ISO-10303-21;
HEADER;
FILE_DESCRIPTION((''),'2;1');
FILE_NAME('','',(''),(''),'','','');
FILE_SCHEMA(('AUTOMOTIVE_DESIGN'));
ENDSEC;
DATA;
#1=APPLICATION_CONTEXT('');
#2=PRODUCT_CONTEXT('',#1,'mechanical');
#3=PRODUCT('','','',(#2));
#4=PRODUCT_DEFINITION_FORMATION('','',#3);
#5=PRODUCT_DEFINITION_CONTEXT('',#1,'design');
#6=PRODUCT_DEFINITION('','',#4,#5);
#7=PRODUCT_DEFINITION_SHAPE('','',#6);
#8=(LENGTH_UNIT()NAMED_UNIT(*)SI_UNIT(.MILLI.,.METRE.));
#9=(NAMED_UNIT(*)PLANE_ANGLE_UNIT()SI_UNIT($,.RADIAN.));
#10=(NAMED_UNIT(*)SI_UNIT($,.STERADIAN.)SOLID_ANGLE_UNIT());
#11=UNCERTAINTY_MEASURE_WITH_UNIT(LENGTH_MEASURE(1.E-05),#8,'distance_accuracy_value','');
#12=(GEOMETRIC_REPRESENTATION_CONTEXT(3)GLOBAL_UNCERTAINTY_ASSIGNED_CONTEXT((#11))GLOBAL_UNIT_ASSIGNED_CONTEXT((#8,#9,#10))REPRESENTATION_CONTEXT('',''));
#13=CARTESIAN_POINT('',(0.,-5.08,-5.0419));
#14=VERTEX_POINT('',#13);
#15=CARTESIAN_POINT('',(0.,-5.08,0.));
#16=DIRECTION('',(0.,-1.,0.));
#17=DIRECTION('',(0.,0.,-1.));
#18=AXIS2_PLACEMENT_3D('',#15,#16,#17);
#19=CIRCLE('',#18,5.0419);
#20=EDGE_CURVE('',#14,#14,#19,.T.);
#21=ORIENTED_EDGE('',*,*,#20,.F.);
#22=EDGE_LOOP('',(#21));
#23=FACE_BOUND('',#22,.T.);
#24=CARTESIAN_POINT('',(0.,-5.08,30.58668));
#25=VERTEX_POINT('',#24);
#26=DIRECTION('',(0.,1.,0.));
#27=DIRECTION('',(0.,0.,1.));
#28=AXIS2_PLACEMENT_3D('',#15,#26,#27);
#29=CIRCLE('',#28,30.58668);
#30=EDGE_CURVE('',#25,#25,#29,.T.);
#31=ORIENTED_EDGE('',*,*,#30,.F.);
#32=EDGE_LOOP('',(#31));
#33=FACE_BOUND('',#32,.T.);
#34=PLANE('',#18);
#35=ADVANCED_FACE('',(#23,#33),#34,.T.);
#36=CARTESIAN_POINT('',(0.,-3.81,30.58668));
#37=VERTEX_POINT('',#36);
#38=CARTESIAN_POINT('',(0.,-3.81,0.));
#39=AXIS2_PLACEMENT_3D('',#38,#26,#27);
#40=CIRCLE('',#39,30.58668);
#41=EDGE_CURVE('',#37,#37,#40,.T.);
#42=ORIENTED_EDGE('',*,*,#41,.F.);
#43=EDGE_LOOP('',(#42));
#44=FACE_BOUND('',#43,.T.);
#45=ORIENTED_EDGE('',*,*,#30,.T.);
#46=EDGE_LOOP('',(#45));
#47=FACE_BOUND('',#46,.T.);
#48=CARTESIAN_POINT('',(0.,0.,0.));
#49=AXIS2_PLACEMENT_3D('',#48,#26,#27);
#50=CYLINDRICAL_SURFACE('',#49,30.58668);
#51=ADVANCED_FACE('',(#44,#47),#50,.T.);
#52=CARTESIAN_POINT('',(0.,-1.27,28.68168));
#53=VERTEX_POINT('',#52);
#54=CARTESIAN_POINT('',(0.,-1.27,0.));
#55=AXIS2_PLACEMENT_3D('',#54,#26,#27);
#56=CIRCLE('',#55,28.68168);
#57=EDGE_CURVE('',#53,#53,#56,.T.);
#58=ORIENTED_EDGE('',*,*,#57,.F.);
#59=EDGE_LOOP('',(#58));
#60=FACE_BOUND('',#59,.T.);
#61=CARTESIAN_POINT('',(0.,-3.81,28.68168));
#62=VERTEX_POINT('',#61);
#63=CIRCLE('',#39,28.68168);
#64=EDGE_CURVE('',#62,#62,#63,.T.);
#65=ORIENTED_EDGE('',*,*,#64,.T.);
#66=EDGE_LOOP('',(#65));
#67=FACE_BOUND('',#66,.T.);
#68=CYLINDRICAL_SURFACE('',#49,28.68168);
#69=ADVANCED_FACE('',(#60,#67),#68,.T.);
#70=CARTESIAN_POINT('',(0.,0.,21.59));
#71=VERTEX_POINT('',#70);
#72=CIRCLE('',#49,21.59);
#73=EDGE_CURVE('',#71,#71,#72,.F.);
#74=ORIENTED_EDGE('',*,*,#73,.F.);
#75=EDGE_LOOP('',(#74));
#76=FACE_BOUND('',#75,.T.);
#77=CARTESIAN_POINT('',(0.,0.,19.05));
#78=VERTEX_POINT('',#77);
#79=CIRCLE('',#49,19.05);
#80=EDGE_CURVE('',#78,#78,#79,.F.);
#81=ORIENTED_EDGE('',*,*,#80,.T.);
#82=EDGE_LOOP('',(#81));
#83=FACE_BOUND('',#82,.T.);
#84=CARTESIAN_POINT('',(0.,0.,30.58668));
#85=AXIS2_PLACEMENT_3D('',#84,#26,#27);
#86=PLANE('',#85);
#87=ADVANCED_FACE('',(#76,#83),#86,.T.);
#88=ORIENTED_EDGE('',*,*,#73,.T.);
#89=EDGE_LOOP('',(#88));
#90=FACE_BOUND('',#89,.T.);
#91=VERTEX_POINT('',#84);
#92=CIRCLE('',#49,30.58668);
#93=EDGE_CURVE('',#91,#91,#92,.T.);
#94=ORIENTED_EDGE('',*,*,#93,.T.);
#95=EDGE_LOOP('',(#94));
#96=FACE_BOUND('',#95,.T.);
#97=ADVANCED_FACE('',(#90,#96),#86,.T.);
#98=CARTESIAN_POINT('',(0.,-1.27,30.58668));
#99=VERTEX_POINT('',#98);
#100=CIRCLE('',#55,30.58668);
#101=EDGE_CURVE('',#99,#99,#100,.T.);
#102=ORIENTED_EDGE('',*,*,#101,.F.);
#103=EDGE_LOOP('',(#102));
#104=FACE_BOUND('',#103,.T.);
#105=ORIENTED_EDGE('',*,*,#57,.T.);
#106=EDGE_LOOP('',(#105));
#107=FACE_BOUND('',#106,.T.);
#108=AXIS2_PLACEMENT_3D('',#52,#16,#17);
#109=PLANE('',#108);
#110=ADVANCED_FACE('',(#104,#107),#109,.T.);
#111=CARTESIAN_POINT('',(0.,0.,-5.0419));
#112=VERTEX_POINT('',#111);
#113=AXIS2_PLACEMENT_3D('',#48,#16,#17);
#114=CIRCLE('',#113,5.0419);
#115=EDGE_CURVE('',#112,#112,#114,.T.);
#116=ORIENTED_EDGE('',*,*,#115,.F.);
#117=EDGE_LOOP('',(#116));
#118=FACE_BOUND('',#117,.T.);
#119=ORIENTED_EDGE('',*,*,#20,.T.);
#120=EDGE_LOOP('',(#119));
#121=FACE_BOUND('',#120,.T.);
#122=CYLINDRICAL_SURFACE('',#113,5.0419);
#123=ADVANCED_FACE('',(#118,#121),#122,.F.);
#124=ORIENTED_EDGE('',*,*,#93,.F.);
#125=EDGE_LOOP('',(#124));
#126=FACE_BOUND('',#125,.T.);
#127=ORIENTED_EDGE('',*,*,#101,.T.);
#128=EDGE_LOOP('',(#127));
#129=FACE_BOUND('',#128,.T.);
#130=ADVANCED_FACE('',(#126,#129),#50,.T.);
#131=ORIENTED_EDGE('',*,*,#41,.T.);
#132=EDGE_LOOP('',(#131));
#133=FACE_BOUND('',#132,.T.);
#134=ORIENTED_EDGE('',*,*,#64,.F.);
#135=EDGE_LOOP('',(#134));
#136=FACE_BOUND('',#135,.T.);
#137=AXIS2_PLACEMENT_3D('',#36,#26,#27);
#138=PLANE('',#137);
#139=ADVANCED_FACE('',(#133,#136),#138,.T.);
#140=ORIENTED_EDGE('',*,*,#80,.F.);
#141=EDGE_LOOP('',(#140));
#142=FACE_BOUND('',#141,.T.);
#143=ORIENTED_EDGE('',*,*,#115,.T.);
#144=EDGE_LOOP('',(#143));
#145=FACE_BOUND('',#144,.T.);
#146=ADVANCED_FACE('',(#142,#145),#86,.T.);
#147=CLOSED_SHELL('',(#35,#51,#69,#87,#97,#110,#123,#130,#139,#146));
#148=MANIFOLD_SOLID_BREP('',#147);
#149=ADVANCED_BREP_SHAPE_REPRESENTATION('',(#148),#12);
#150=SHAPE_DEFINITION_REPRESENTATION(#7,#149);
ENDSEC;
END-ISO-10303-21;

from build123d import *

# Parameters (mm, degrees)
SKETCH6_R          = 5.0419
CUT_EXTRUDE1_DEPTH = 44.553374001


with BuildPart() as part:
    # Sketch1 → Revolve1 (revolve)
    with BuildSketch(Plane(origin=(0, 0, 0), x_dir=(0, 0, -1), z_dir=(1, 0, 0))):
        Polygon((0, 0), (0, -5.08), (-30.58668, -5.08), (-30.58668, -3.81), (-28.68168, -3.81), (-28.68168, -1.27), (-30.58668, -1.27), (-30.58668, 0), align=None)
    revolve(axis=Axis((0, 0, 0), (0, -1, 0)))

    # Sketch6 → Cut-Extrude1 (cut, through all)
    with BuildSketch(Plane.XZ.offset(5.08)):
        with Locations(Location((0, 0, 0), (0, 0, 270))):
            Circle(SKETCH6_R)
    extrude(amount=-CUT_EXTRUDE1_DEPTH, mode=Mode.SUBTRACT)


solid = part.part
